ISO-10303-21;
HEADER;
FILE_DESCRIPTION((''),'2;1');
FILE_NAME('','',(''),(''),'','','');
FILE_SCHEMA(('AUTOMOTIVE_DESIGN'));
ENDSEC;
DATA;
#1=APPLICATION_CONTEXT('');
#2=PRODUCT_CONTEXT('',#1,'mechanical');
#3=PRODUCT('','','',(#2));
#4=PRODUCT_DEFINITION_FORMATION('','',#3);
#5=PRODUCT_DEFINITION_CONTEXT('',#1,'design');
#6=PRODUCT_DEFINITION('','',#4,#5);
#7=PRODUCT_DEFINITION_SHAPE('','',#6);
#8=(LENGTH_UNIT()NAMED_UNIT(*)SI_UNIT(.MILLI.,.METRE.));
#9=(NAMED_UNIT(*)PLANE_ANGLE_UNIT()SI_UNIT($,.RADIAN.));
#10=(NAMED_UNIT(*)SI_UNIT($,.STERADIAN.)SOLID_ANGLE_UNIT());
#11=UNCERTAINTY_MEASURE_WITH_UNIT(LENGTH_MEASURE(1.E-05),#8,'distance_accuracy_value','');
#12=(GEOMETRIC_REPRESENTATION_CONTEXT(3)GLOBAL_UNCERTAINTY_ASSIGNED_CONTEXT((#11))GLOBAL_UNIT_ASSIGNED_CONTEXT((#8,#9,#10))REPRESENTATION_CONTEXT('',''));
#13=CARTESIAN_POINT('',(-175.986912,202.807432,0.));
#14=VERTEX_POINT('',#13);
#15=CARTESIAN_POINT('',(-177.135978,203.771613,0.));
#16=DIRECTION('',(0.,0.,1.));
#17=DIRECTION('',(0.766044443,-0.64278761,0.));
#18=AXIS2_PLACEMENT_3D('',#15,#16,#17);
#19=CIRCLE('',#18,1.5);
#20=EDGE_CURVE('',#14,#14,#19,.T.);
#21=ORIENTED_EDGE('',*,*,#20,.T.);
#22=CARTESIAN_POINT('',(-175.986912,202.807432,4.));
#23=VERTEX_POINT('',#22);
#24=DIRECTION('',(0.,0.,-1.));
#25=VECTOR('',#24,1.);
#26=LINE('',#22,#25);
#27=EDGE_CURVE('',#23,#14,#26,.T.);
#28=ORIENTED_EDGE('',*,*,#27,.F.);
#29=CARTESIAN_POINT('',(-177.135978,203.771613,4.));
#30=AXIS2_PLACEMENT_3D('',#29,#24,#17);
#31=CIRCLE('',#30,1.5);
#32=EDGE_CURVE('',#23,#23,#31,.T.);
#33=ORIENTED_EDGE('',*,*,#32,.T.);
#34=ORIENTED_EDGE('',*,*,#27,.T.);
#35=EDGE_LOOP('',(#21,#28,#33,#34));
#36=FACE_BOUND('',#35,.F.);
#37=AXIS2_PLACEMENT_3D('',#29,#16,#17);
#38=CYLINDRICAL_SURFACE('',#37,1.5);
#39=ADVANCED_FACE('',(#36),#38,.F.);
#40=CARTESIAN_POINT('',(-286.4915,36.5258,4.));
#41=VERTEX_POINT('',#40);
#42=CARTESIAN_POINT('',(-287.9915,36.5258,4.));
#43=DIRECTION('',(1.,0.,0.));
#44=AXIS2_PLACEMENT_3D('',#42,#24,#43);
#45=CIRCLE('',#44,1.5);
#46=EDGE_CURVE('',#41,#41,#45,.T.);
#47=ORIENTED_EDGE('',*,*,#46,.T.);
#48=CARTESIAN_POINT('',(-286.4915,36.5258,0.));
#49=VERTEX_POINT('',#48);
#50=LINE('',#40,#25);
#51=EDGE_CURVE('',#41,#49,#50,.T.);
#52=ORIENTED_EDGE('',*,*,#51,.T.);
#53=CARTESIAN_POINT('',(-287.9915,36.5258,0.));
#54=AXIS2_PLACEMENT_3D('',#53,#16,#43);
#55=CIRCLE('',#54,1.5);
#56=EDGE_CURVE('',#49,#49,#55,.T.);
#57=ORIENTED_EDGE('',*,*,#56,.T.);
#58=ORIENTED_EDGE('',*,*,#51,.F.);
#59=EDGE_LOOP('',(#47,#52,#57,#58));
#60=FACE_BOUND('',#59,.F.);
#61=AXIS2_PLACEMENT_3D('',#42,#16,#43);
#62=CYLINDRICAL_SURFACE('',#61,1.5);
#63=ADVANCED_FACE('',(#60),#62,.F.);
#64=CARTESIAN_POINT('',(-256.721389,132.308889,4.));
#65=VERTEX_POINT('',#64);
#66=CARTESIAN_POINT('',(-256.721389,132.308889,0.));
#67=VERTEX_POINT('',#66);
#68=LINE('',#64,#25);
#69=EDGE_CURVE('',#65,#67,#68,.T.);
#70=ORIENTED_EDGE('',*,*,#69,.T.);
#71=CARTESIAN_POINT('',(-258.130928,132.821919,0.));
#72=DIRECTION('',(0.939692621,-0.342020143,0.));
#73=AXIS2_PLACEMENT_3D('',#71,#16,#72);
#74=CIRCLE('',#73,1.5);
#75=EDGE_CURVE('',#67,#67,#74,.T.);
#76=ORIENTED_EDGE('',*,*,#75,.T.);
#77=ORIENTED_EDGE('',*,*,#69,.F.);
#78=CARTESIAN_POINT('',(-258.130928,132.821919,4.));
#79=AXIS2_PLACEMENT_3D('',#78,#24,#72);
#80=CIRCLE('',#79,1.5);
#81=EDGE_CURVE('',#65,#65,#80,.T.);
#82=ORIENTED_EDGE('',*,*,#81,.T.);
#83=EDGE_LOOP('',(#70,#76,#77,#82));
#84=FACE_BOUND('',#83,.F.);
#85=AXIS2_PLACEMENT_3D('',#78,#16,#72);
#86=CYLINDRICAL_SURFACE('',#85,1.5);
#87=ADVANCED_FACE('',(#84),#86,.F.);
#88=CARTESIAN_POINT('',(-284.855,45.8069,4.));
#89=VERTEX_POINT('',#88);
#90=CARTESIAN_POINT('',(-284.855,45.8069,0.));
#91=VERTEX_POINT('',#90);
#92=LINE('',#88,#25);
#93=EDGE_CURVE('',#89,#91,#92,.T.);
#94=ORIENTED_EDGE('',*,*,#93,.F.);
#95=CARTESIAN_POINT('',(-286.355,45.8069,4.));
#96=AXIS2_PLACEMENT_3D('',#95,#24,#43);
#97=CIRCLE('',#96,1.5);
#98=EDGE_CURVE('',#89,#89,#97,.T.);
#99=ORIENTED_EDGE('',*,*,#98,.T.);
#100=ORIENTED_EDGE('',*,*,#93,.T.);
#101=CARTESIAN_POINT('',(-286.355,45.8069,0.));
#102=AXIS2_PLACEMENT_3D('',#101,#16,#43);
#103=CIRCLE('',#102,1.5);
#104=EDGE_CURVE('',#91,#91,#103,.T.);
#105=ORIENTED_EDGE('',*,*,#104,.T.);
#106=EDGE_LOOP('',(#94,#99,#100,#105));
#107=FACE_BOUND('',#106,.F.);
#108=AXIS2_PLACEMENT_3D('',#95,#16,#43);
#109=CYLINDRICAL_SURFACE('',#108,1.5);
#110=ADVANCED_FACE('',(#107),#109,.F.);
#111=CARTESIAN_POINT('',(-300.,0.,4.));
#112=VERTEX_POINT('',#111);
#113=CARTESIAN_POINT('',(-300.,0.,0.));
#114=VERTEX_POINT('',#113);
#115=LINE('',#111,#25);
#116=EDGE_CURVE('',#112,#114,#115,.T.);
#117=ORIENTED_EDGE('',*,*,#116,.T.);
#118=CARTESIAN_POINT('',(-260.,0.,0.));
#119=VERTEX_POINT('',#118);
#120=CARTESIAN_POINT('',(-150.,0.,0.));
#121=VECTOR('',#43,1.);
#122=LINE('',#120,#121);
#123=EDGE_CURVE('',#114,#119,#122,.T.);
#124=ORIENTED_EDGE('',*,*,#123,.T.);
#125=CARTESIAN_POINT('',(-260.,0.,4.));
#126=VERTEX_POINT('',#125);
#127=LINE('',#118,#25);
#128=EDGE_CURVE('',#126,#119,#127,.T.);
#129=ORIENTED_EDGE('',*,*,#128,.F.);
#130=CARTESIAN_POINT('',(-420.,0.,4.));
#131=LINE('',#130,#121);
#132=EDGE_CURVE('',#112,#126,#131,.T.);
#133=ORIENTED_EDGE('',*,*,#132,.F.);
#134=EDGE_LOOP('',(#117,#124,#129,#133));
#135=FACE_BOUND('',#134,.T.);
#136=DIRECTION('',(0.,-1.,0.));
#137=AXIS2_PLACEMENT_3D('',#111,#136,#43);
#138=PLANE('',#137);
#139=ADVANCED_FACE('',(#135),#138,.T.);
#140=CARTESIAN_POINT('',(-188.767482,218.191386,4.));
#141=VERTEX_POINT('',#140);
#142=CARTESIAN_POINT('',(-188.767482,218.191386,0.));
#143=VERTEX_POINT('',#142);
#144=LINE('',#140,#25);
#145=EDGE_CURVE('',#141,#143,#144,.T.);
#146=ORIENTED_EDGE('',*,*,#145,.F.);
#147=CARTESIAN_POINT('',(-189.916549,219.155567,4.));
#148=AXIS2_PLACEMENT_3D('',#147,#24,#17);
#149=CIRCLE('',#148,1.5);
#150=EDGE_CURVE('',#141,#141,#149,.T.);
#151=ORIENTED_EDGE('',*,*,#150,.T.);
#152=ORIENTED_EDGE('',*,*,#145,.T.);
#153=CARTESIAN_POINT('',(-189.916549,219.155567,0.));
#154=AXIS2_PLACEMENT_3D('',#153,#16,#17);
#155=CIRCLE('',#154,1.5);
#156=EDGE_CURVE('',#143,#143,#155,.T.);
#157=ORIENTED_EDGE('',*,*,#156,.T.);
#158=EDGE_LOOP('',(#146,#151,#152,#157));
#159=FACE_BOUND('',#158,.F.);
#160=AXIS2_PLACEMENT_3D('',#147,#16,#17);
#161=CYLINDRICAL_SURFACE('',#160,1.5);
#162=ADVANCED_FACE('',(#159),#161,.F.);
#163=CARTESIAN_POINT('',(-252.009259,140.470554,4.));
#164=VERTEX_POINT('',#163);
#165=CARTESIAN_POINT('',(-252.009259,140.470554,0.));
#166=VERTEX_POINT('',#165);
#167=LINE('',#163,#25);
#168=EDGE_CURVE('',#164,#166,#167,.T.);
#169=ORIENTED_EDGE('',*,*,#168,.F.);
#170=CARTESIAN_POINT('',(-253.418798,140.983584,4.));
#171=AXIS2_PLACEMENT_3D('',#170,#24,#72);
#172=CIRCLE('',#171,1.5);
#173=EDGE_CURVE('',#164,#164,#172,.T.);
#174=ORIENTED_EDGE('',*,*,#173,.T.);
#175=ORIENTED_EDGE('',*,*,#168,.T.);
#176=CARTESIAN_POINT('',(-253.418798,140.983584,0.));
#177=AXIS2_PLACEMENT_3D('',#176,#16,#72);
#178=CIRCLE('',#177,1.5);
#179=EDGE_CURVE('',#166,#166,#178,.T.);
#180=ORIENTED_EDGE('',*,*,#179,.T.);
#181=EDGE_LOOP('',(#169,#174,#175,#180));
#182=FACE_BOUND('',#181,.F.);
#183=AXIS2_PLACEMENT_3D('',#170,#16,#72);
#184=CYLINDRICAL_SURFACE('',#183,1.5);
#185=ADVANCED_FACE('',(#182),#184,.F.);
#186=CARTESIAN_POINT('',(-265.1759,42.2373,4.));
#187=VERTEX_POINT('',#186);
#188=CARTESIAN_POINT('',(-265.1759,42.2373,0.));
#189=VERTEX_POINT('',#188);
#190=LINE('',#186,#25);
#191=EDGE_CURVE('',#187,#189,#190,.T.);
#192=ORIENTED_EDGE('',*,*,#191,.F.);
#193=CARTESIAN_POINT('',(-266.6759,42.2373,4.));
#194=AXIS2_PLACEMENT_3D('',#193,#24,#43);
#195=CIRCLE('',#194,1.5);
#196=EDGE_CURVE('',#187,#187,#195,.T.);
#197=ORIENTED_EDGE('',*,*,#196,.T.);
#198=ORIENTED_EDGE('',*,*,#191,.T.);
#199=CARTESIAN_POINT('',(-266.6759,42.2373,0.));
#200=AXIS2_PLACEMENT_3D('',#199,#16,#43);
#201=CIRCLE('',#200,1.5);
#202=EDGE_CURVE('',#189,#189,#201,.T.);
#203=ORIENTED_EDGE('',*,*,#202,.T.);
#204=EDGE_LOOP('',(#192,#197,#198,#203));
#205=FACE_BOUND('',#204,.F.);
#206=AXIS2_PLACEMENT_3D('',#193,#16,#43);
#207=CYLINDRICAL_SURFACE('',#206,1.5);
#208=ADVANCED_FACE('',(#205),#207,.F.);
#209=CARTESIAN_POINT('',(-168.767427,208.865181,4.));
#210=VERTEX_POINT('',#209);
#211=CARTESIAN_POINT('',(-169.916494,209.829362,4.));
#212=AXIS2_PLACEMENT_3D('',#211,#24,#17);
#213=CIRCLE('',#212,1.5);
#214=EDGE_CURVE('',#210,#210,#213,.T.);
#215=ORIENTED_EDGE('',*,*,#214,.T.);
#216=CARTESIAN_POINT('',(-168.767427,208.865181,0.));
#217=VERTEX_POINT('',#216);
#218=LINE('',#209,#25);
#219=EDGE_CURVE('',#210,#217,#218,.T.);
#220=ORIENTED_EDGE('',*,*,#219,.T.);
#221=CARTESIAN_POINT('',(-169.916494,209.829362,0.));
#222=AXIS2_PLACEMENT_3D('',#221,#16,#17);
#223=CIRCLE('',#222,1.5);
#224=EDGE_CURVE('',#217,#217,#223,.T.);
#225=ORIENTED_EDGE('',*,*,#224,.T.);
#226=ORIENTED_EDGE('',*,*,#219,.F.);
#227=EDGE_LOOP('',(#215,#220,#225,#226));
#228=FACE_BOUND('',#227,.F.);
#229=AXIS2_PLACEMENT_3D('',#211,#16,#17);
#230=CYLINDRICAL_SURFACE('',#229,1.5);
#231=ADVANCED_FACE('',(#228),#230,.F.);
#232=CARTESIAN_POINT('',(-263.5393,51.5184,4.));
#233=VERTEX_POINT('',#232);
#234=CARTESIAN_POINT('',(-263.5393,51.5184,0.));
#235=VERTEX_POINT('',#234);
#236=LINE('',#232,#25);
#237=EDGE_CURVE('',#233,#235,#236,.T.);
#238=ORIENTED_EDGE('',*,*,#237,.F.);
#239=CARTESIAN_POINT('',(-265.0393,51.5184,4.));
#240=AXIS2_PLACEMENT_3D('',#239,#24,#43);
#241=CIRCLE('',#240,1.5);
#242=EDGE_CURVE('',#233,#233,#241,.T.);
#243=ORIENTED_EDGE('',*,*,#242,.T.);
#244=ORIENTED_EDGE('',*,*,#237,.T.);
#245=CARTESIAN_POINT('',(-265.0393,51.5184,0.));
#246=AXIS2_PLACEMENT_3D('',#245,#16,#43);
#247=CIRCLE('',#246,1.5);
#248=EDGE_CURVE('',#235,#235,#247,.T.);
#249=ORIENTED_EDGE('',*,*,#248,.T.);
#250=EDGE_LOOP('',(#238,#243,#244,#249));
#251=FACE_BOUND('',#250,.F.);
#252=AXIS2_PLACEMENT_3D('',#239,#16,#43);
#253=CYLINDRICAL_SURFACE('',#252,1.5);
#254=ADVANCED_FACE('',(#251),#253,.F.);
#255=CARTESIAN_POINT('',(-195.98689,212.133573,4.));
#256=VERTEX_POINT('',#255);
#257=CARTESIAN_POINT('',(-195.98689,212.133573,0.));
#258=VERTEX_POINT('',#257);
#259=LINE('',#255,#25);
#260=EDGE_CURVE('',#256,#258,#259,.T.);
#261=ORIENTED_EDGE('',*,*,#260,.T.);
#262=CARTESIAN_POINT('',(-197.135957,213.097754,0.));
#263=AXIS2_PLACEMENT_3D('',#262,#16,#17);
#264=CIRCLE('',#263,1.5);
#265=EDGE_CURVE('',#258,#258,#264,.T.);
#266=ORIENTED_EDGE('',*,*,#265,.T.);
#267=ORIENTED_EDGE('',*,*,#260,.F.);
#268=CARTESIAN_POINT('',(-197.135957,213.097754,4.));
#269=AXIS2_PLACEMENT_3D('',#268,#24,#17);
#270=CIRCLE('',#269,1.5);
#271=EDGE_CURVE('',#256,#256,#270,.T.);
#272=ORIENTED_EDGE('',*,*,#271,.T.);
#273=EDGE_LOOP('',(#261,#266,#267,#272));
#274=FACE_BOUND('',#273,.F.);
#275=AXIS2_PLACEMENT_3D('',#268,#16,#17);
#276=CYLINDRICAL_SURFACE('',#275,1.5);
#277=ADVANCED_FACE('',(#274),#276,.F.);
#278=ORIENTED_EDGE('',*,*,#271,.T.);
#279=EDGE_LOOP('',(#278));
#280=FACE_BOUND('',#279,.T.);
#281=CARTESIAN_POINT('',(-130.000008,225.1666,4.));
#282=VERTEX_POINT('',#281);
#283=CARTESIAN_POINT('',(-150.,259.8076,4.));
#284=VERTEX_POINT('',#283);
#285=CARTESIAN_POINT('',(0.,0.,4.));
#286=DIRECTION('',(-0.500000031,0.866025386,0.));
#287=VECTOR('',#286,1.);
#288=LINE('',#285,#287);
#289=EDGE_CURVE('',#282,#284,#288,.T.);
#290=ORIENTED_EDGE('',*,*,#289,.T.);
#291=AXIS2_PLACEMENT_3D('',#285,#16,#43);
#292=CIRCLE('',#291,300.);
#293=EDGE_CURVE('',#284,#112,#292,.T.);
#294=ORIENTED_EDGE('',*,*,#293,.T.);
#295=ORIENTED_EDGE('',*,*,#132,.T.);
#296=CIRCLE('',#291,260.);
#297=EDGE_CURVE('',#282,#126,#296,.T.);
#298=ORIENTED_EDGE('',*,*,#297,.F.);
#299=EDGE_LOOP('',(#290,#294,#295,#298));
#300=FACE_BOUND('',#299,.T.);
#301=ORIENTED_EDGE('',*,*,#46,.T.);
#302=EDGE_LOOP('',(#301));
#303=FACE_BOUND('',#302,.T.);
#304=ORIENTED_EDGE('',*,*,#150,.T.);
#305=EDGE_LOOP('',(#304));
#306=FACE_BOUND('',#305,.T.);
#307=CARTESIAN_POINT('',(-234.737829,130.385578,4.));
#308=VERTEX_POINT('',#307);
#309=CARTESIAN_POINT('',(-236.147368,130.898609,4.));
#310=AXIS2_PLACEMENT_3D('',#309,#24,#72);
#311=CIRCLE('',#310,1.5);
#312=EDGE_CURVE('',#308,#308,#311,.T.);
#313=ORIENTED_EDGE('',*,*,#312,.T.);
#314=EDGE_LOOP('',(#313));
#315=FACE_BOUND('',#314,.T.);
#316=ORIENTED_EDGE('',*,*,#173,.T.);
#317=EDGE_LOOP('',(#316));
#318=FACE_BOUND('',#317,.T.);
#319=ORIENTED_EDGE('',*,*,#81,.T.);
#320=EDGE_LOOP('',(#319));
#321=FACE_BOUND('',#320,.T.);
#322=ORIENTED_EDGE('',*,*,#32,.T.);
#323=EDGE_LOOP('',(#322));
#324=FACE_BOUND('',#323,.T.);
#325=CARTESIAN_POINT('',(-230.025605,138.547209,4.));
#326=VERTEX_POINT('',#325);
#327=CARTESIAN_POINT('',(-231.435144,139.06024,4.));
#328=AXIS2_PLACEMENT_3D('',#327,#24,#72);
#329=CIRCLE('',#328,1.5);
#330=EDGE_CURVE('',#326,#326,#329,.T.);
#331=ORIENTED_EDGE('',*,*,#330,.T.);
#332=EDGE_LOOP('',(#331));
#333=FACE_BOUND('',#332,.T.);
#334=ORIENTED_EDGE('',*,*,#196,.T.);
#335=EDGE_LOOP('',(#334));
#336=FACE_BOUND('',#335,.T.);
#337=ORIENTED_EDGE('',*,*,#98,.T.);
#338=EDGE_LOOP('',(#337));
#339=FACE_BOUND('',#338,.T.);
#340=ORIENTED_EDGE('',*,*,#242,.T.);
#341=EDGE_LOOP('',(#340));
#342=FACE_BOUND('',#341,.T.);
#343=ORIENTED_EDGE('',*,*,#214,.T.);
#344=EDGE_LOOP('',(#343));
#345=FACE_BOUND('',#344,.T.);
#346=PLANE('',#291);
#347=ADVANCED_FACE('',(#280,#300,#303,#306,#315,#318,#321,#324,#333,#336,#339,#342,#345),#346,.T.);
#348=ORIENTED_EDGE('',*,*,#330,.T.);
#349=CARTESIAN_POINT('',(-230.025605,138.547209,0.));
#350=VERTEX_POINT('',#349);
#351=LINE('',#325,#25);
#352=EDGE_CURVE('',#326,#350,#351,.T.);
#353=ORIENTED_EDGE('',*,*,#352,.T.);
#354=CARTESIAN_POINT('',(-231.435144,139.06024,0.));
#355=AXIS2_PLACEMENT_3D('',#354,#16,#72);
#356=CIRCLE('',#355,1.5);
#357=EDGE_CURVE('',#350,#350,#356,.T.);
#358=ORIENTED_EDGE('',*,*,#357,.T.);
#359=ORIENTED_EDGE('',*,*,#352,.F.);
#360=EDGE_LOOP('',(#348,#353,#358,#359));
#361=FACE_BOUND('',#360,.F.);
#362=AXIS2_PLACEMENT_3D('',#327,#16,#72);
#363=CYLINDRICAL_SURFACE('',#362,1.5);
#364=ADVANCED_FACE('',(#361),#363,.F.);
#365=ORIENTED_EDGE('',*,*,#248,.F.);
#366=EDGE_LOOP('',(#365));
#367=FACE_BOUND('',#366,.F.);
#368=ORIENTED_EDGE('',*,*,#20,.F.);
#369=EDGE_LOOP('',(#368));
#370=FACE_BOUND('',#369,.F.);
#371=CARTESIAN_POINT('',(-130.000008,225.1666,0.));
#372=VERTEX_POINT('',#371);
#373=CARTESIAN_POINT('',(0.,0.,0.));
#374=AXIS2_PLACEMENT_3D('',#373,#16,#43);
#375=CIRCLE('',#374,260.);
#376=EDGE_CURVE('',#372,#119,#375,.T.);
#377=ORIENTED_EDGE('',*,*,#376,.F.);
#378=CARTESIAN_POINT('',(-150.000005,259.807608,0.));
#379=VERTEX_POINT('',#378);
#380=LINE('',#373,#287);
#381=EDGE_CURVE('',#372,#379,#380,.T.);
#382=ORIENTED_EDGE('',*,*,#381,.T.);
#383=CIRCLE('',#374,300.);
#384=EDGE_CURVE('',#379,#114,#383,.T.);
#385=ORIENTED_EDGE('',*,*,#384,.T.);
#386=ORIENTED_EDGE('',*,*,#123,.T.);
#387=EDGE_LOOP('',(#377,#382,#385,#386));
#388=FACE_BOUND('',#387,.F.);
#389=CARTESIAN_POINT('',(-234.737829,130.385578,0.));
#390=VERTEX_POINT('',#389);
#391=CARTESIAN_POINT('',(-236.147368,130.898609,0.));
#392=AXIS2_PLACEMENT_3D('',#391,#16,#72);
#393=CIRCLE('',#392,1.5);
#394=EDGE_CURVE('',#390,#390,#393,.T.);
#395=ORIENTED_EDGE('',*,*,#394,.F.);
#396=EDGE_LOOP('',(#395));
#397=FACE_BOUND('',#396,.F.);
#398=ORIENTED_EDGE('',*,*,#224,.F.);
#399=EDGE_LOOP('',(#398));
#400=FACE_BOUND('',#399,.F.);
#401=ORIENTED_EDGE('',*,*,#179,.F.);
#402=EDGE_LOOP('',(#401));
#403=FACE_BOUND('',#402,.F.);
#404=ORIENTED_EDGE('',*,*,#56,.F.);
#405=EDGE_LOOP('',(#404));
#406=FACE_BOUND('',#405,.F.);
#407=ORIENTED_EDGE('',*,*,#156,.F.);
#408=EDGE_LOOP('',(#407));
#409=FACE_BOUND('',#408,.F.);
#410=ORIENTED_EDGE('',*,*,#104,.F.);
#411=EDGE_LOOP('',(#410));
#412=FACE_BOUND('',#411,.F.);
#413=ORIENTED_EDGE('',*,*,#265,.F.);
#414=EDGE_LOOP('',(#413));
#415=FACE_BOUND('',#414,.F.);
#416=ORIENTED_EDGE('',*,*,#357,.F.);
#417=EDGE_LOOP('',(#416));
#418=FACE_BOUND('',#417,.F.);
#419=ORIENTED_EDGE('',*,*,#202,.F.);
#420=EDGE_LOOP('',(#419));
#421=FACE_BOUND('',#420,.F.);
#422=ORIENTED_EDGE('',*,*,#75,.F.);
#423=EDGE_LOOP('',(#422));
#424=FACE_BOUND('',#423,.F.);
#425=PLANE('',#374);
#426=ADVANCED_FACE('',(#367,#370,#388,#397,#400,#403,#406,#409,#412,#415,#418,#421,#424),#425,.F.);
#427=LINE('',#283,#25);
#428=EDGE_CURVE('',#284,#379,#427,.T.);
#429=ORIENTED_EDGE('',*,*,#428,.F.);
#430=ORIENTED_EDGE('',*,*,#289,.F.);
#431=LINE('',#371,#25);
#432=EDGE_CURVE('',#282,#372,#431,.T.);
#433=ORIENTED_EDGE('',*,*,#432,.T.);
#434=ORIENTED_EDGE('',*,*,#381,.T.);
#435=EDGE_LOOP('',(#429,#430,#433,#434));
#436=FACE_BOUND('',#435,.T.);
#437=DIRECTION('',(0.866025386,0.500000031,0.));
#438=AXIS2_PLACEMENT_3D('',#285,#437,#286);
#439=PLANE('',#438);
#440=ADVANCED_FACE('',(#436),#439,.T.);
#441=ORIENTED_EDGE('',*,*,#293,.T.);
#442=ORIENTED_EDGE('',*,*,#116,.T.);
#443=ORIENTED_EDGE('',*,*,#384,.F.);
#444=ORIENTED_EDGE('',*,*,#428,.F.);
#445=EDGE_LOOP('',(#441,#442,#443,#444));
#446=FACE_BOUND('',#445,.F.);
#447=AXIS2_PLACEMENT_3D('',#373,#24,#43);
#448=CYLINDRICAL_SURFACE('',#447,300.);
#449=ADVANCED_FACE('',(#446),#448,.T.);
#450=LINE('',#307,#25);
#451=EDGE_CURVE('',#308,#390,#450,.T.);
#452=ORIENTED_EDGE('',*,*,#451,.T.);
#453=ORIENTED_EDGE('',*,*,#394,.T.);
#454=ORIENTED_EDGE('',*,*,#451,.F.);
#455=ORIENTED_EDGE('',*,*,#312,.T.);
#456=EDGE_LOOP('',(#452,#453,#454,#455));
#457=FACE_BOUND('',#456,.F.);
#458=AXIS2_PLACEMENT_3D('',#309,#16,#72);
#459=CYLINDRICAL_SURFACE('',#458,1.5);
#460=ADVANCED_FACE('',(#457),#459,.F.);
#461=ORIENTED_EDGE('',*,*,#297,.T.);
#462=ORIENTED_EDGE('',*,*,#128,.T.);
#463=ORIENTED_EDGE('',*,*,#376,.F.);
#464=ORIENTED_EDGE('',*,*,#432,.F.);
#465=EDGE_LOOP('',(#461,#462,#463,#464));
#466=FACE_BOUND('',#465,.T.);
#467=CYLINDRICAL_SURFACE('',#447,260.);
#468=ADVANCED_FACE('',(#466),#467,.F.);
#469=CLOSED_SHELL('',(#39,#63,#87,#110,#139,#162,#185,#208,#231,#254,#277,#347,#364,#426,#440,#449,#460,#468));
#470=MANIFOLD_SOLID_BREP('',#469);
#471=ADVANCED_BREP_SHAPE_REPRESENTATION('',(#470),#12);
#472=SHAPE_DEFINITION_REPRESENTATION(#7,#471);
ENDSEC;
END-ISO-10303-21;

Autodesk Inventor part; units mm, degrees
ref_plane "YZ Plane" through (0, 0, 0) normal (1, 0, 0) x (0, 1, 0)
ref_plane "XZ Plane" through (0, 0, 0) normal (0, 1, 0) x (-1, 0, 0)
ref_plane "XY Plane" through (0, 0, 0) normal (0, 0, 1) x (1, 0, 0)
sketch "Sketch1" plane through (0, 0, 0) normal (0, 0, 1) x (1, 0, 0)
  circle A0 centre (0, 0) radius 260
  circle A1 centre (0, 0) radius 300
  dimension "d0" = 600
  dimension "d1" = 40
extrude "Extrusion1" add sketch "Sketch1" along normal blind 4
sketch "Sketch2" plane through (0, 0, 4) normal (0, 0, 1) x (1, 0, 0)
  line L0 (300, 35.8531) -> (300, -300)
  line L1 (300, -300) -> (-300, -300)
  line L2 (-300, -300) -> (-300, 0)
  circle A0 centre (0, 0) radius 300 projected
  line L3 (-420, 0) -> (420, 0) projected
  circle A1 centre (0, 0) radius 300 projected
  line L4 (-300, 0) -> (0, 0)
  line L5 (0, 0) -> (-150, 259.8076)
  line L6 (-150, 259.8076) -> (-150, 300)
  line L7 (-150, 300) -> (300, 300)
  line L8 (300, 300) -> (300, 35.8531)
  dimension "d25" = 60
extrude "Extrusion2" cut sketch "Sketch2" against normal blind 10 contours L3 L5 A0 | A0 L3 picked at (97.6489, 174.3647)
sketch "Sketch3" plane through (0, 0, 4) normal (0, 0, 1) x (1, 0, 0)
  circle A0 centre (-287.9915, 36.5258) radius 1.5
  circle A1 centre (-266.6759, 42.2373) radius 1.5
  line L0 (-420, 0) -> (420, 0) projected
  circle A2 centre (-286.355, 45.8069) radius 1.5
  circle A3 centre (-265.0393, 51.5184) radius 1.5
  line L1 (-266.6759, 42.2373) -> (-287.9915, 36.5258)
  line L2 (-287.9915, 36.5258) -> (-286.355, 45.8069)
  line L3 (-286.355, 45.8069) -> (-265.0393, 51.5184)
  line L4 (-265.0393, 51.5184) -> (-266.6759, 42.2373)
  line L5 (-265.0393, 51.5184) -> (0, 0)
  line L6 (0, 0) -> (-266.6759, 42.2373)
  dimension "d6" = 3
  dimension "d7" = 3
  dimension "d9" = 270
  dimension "d11" = 3
  dimension "d12" = 3
  dimension "d14" = 270
  dimension "d21" = 115
  dimension "d22" = 20
  dimension "d23" = 9
  dimension "d24" = 11
extrude "Extrusion3" cut sketch "Sketch3" against normal through all contours A0 L2 L1 | L1 L2 A0 | L1 L6 A1 | A1 L4 L1 | L2 L3 A2 | A2 L3 L2 | A1 L6 L4 | L4 L5 A3 | A3 L3 L4 | A3 L5 L3
pattern_circular "Circular Pattern1" count 9 over 160 about axis through (0, 0, 0) along (0, 0, -1) of "Extrusion3"
properties part number "wheel7"
